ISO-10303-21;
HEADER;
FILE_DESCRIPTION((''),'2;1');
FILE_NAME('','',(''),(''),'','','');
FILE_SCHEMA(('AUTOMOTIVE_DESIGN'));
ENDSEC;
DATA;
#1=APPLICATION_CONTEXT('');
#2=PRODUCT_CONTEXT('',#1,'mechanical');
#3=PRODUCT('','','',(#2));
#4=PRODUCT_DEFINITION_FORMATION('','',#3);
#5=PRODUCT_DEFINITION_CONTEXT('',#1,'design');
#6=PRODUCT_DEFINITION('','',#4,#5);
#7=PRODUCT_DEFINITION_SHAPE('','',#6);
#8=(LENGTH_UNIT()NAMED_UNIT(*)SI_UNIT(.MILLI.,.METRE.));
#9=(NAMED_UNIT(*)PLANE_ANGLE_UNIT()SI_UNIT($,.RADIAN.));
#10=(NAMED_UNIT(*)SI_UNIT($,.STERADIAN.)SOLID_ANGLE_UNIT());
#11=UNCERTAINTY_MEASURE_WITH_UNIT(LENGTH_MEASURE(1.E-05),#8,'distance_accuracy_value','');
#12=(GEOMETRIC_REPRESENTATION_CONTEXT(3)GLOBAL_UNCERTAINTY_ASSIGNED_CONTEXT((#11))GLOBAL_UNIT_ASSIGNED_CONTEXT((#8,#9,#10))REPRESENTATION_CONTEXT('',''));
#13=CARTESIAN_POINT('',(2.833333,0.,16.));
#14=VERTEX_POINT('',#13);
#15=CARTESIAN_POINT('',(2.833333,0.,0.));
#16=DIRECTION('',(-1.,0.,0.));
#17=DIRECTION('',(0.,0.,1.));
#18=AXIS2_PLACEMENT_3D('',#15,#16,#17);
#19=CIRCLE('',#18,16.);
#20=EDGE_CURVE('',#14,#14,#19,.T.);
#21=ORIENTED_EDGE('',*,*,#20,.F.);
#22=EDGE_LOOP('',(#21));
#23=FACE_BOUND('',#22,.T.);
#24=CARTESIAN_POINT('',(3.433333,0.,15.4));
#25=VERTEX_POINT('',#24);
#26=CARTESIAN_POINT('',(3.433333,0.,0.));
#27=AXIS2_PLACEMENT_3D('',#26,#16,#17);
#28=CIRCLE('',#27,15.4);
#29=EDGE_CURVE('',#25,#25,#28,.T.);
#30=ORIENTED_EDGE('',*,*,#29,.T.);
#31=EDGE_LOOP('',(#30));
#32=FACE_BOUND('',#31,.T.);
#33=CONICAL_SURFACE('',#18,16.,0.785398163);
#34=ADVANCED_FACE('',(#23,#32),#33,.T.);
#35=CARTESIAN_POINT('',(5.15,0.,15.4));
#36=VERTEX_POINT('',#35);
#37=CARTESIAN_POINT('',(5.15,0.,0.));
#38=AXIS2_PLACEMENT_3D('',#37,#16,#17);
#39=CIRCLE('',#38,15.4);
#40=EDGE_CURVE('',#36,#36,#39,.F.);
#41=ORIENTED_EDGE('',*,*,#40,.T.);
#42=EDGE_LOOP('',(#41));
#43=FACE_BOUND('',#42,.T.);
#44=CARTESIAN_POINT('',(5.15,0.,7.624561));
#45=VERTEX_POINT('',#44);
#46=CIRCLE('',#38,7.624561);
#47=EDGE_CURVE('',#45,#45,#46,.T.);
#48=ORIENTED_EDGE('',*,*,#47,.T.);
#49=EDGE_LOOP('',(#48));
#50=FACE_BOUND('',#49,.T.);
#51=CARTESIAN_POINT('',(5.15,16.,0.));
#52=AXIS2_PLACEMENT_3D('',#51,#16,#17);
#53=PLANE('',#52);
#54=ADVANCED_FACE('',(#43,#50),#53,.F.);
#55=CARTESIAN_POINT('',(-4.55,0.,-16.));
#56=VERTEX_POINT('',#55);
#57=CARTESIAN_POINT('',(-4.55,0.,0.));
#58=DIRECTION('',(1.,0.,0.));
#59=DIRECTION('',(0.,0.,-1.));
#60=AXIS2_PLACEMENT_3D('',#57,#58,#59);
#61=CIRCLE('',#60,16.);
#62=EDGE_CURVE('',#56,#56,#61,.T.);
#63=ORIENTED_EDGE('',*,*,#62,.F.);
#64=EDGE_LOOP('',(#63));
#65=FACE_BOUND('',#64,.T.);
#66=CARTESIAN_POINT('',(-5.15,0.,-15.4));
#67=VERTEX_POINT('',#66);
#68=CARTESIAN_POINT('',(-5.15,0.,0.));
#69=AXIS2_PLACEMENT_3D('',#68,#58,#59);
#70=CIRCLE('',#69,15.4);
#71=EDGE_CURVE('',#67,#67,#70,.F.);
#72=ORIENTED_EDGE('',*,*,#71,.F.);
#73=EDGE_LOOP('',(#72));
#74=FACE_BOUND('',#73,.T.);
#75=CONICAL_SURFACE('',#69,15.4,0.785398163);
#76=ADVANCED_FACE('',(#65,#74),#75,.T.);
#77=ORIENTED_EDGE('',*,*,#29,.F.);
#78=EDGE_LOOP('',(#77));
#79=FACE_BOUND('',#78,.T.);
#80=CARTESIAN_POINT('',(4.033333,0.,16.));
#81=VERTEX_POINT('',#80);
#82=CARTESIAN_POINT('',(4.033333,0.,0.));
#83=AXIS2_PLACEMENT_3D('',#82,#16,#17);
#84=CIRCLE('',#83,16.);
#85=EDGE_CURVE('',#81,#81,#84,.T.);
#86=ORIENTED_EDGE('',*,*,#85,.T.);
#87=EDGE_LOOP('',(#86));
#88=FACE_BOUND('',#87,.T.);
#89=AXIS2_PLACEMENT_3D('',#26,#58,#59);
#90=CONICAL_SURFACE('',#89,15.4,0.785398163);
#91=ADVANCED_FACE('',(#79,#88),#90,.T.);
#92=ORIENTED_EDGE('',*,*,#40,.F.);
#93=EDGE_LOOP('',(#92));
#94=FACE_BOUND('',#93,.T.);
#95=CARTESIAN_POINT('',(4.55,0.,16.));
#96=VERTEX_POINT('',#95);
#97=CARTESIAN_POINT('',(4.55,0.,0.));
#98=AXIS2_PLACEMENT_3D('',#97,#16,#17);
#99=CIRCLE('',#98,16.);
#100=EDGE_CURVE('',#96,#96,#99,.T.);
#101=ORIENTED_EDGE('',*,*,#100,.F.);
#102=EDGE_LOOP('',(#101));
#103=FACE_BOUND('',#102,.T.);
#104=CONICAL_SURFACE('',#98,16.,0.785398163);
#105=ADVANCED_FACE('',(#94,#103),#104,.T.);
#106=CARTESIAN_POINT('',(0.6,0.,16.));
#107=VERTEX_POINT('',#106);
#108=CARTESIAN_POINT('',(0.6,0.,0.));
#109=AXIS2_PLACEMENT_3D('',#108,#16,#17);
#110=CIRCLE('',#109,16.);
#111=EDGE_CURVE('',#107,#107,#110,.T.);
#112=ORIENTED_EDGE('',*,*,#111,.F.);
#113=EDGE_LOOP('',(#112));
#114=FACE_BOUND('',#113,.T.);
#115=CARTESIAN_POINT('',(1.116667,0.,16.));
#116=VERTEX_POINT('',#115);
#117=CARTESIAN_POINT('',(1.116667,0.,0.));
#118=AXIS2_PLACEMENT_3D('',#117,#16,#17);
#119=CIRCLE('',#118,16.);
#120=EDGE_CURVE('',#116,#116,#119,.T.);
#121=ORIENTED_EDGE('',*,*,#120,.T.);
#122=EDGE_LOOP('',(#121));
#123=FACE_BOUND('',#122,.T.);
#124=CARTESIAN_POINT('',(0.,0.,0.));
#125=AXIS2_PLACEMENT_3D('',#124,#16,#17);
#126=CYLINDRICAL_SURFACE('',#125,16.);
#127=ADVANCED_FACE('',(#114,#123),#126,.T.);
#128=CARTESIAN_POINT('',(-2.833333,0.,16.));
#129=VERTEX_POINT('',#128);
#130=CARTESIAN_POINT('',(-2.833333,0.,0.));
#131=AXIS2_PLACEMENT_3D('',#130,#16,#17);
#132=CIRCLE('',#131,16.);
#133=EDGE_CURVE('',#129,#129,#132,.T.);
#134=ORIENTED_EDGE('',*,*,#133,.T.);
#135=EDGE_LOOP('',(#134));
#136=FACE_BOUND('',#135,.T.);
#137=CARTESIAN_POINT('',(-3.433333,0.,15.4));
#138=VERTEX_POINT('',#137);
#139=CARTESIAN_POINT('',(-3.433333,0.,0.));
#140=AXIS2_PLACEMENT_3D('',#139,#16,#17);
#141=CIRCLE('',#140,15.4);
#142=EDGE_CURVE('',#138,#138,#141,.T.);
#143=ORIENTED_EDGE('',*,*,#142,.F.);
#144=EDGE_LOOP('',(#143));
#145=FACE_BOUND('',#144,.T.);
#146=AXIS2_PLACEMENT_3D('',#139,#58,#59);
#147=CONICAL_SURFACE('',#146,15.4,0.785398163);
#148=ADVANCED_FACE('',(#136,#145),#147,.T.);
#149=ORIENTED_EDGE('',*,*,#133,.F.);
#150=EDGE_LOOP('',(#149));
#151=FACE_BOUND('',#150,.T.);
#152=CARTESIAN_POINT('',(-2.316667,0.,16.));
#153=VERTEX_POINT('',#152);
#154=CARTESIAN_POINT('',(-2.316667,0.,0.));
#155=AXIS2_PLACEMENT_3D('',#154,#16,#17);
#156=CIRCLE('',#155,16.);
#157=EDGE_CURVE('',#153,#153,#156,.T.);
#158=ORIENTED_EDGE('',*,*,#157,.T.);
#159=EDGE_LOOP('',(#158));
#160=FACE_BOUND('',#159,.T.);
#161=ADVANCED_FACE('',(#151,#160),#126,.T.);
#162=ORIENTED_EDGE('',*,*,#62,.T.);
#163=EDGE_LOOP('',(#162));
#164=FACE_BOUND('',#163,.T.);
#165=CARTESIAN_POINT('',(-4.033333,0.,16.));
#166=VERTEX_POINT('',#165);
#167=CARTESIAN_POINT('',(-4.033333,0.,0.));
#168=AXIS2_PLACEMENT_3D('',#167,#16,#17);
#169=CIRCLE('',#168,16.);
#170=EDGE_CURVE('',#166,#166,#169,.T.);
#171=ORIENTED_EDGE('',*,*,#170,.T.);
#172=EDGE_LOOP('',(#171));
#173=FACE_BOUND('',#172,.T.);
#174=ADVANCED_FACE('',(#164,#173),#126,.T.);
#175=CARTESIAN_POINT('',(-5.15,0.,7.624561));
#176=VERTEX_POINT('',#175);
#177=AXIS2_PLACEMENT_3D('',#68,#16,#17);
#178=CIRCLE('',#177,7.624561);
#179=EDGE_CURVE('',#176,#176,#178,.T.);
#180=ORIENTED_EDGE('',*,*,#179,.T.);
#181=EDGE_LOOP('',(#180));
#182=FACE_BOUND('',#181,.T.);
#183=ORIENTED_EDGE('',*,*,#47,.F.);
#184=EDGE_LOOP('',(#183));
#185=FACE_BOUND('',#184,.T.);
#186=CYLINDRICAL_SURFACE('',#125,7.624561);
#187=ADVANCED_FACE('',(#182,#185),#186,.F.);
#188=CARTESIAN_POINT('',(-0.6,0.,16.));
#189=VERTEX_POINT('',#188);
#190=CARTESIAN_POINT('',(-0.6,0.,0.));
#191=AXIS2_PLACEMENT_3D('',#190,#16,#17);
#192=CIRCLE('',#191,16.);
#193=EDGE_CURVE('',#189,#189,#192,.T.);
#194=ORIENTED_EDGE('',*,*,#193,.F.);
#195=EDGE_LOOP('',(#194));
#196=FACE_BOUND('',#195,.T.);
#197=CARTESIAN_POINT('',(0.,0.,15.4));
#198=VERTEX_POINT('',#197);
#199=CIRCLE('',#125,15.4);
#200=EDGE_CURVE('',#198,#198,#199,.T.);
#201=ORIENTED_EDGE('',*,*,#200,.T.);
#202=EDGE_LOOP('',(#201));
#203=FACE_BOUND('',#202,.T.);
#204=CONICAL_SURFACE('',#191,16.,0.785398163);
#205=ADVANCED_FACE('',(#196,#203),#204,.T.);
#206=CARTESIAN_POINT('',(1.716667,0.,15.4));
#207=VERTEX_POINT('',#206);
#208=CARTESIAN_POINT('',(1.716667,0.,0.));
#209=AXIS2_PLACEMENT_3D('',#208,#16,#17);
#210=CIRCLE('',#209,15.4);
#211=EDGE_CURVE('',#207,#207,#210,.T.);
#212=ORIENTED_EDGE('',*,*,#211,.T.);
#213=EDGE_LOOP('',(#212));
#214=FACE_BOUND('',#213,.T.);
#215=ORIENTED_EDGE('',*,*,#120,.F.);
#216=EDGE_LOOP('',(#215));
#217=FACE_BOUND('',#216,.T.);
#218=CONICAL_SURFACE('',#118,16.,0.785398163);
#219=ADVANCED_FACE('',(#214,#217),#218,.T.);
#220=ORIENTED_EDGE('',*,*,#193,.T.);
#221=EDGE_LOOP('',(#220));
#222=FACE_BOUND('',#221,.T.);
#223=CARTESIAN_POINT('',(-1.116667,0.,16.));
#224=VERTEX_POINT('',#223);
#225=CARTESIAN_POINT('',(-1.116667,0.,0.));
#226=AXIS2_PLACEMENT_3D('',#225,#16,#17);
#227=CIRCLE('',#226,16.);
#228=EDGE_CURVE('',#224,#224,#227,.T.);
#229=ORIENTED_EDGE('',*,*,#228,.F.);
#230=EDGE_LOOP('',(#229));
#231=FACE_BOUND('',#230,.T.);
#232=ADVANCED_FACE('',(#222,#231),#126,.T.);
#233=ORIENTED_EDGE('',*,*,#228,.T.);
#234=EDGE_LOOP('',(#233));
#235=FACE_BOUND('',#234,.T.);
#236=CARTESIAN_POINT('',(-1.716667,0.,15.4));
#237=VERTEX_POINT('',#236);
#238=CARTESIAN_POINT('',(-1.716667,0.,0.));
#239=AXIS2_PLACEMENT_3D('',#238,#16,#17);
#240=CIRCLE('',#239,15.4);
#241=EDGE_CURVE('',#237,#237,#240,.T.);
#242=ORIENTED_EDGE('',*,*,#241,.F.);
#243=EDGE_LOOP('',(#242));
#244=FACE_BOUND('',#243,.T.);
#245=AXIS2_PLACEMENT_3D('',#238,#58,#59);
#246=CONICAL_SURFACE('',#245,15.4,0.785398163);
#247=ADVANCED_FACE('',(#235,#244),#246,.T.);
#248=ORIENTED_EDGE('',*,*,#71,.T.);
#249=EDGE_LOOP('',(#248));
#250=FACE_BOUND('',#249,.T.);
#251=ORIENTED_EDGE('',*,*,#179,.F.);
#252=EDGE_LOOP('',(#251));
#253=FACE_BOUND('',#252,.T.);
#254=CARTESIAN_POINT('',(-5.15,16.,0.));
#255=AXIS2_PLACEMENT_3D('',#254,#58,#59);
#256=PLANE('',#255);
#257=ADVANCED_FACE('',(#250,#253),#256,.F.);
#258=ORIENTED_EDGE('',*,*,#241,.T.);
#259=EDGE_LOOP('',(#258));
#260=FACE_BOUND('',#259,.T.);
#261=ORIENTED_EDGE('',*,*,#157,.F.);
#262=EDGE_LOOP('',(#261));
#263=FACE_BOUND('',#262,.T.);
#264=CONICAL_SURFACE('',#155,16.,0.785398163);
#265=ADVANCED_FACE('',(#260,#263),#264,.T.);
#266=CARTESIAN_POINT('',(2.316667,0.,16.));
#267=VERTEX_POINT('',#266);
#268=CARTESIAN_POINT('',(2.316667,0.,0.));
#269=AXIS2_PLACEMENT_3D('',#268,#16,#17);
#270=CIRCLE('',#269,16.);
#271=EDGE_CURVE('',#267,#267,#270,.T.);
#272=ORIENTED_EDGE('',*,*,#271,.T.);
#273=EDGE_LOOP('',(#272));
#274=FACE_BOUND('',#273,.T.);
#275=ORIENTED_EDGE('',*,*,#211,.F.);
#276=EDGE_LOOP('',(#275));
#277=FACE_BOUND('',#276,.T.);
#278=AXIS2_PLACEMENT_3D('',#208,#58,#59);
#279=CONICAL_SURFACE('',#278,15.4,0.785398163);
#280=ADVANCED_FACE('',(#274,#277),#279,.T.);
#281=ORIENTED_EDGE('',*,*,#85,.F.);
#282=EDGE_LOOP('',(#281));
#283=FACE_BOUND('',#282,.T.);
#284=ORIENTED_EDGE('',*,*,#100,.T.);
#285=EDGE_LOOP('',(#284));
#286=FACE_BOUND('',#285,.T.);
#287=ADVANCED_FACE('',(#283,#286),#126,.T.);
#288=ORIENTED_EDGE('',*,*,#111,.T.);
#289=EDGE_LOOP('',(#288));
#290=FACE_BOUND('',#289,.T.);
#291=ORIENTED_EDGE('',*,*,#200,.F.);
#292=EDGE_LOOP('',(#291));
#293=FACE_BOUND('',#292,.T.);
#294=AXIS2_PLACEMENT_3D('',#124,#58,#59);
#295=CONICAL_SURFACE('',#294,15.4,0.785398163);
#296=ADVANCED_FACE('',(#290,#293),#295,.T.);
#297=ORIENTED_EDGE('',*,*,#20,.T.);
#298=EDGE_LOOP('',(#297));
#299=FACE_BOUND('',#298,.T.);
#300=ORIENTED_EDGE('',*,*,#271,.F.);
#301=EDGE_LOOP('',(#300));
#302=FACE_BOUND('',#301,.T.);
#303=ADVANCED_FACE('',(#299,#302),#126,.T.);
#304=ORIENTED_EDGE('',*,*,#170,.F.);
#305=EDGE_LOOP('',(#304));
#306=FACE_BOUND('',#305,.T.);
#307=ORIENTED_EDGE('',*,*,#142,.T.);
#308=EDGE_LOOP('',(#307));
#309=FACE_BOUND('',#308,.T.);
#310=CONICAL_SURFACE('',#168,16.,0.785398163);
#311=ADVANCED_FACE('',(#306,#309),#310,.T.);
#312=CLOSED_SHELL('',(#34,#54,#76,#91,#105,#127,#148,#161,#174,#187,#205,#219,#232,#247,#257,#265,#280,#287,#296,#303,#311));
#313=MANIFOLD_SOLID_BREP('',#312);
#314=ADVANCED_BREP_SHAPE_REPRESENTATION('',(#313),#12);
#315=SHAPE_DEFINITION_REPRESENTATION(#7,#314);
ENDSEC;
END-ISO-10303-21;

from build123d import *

# Parameters (mm, degrees)
SKETCH1_W     = 10.3
SKETCH1_H     = 8.375438596
CHAMFER1_SIZE = 0.6


with BuildPart() as part:
    # Sketch1 → Revolve1 (revolve)
    with BuildSketch(Plane.XY):
        with Locations((0, 11.812280702)):
            Rectangle(SKETCH1_W, SKETCH1_H)
    revolve(axis=Axis((0, 0, 0), (1, 0, 0)))

    # Chamfer1
    chamfer1_edges = [part.edges().sort_by_distance(p)[0] for p in [
        (5.15, -16, 0),
        (-5.15, -16, 0),
    ]]
    chamfer(chamfer1_edges, length=CHAMFER1_SIZE)

    # Sketch2 → Cut-Revolve1 (revolve, cut)
    with BuildSketch(Plane.XY):
        Polygon((-4.033333333, 16), (-3.433333333, 15.4), (-2.833333333, 16), align=None)
        Polygon((-1.716666667, 15.4), (-1.116666667, 16), (-2.316666667, 16), align=None)
        Polygon((0, 15.4), (0.6, 16), (-0.6, 16), align=None)
        Polygon((1.716666667, 15.4), (2.316666667, 16), (1.116666667, 16), align=None)
        Polygon((3.433333333, 15.4), (4.033333333, 16), (2.833333333, 16), align=None)
    revolve(axis=Axis((0, 0, 0), (1, 0, 0)), mode=Mode.SUBTRACT)


solid = part.part
